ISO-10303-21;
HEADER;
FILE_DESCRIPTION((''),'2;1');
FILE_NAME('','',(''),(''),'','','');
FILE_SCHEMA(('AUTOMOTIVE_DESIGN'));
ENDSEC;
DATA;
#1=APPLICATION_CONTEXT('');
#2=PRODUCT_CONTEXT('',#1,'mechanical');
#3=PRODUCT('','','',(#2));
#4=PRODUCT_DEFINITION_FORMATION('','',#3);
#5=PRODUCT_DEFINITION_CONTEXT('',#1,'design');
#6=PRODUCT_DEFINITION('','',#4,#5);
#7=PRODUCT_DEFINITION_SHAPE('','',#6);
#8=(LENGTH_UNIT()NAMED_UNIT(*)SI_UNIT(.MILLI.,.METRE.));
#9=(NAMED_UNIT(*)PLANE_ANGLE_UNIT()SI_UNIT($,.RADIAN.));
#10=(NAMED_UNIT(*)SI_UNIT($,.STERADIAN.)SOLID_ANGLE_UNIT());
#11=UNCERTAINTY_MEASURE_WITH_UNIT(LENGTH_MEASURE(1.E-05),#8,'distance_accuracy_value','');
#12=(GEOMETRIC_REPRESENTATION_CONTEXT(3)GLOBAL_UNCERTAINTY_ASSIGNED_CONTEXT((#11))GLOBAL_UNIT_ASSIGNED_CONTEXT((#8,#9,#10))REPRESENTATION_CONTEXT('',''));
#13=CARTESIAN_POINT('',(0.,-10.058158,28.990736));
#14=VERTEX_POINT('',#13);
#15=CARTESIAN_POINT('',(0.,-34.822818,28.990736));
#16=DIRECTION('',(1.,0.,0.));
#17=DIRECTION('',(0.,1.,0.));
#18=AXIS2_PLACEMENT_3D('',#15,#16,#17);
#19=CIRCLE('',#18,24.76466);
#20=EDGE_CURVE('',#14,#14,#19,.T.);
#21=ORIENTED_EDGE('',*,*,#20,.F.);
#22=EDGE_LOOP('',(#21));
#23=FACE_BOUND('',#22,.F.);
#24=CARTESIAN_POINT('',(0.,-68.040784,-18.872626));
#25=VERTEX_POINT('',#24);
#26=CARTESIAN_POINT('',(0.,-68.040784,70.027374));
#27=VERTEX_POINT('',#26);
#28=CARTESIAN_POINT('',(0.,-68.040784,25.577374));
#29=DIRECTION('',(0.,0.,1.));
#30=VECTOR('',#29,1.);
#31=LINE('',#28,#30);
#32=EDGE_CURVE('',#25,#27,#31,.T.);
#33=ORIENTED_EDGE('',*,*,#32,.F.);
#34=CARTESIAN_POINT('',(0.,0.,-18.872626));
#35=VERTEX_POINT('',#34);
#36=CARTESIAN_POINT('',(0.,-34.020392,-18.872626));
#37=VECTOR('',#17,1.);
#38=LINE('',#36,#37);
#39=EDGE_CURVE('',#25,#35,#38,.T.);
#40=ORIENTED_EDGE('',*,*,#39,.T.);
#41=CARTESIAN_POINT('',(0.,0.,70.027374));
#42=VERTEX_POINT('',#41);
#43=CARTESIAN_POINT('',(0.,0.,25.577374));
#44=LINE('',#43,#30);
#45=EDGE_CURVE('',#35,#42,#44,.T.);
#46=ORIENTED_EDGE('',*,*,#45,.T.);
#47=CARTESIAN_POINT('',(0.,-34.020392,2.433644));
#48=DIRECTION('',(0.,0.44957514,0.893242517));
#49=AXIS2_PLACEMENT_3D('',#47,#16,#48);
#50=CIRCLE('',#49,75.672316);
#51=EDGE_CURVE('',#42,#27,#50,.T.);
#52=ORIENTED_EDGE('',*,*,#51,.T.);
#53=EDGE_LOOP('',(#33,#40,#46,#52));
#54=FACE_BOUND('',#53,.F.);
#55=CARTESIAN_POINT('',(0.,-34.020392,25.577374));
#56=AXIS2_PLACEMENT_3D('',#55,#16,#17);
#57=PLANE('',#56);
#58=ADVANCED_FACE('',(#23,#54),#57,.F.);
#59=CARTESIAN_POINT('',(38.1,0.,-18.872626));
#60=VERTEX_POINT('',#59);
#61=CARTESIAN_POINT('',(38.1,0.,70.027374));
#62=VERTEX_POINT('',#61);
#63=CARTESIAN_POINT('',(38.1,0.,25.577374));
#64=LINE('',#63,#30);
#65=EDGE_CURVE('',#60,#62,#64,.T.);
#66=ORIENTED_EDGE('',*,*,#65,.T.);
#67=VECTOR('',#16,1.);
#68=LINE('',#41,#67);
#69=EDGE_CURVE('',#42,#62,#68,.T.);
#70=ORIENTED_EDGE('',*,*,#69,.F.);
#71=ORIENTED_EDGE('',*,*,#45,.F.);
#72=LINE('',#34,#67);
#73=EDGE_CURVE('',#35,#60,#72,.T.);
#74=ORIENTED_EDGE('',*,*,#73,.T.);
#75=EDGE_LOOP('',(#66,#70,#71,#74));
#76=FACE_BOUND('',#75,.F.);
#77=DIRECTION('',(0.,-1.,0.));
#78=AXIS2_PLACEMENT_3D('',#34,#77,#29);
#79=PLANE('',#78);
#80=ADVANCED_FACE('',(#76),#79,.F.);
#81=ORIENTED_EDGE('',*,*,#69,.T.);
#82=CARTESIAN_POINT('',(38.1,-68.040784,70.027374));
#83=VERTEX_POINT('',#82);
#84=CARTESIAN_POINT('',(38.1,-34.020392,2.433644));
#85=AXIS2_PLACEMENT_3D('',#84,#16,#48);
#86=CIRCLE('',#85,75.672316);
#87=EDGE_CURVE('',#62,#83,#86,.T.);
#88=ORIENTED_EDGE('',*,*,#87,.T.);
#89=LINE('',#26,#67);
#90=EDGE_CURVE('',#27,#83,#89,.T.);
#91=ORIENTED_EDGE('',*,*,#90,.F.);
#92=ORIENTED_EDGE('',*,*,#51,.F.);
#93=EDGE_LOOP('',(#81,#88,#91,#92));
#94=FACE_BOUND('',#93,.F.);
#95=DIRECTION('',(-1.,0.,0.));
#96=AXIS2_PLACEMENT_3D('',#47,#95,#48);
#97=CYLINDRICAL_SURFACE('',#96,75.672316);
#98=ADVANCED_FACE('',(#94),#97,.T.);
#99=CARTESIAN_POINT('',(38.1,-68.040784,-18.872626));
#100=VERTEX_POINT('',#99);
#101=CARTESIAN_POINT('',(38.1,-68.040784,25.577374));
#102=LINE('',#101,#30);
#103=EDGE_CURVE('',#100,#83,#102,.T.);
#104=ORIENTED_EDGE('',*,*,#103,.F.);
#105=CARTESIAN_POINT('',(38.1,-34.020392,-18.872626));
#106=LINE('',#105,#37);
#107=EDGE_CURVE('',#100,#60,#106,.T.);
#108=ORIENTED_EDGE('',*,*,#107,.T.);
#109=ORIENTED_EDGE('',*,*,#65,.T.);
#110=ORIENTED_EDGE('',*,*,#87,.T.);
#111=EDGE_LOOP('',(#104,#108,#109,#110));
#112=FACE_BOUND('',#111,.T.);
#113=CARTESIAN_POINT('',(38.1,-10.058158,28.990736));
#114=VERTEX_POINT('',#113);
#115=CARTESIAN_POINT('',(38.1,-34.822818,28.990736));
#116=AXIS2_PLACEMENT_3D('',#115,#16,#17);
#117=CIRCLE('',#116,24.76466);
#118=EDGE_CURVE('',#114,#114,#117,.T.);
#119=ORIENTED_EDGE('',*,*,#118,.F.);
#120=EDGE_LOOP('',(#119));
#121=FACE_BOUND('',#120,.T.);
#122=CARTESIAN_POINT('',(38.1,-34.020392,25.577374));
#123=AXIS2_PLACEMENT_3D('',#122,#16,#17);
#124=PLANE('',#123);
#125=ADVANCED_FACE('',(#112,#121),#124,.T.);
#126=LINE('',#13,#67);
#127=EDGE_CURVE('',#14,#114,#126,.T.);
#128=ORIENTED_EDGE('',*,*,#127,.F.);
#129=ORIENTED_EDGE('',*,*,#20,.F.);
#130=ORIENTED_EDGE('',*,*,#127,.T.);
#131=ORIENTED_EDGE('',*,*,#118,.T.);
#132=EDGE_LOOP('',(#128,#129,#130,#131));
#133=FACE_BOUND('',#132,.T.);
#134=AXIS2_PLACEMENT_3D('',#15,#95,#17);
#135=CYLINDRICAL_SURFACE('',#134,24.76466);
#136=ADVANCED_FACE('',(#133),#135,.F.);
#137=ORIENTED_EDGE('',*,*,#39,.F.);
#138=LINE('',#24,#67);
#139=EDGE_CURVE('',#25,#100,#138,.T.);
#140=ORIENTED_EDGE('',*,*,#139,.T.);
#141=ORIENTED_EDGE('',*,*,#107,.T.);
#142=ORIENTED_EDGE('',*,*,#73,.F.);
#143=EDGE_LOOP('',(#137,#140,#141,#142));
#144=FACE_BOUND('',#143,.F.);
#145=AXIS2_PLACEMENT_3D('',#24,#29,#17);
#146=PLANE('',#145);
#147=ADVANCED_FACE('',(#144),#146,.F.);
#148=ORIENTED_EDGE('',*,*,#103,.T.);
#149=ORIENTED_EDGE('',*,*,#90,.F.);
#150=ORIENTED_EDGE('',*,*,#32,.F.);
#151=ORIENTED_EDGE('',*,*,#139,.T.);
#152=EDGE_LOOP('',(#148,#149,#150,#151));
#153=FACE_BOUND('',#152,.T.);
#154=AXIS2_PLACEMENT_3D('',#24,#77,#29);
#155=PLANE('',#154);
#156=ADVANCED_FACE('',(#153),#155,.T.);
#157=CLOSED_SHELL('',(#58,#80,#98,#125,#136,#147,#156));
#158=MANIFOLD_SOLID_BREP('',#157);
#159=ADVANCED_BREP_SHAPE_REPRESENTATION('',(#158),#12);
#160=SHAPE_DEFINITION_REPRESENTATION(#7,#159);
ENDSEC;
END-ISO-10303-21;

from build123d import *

# Parameters (mm, degrees)
F0_W     = 68.040784
F0_H     = 88.9
F0_R     = 24.76466
F1_DEPTH = 38.1


with BuildPart() as f1:
    # F0 (on Right) → F1 (new body)
    with BuildSketch(Plane.YZ):
        with Locations((-34.020392, 25.577374)):
            Rectangle(F0_W, F0_H)
        with Locations((-34.822818, 28.990736)):
            Circle(F0_R, mode=Mode.SUBTRACT)
        with BuildLine():
            Line((-68.040784, 70.027374), (0, 70.027374))
            ThreePointArc((0, 70.027374), (-34.020392, 78.10596), (-68.040784, 70.027374))
        make_face()
    extrude(amount=F1_DEPTH)


solid = f1.part
